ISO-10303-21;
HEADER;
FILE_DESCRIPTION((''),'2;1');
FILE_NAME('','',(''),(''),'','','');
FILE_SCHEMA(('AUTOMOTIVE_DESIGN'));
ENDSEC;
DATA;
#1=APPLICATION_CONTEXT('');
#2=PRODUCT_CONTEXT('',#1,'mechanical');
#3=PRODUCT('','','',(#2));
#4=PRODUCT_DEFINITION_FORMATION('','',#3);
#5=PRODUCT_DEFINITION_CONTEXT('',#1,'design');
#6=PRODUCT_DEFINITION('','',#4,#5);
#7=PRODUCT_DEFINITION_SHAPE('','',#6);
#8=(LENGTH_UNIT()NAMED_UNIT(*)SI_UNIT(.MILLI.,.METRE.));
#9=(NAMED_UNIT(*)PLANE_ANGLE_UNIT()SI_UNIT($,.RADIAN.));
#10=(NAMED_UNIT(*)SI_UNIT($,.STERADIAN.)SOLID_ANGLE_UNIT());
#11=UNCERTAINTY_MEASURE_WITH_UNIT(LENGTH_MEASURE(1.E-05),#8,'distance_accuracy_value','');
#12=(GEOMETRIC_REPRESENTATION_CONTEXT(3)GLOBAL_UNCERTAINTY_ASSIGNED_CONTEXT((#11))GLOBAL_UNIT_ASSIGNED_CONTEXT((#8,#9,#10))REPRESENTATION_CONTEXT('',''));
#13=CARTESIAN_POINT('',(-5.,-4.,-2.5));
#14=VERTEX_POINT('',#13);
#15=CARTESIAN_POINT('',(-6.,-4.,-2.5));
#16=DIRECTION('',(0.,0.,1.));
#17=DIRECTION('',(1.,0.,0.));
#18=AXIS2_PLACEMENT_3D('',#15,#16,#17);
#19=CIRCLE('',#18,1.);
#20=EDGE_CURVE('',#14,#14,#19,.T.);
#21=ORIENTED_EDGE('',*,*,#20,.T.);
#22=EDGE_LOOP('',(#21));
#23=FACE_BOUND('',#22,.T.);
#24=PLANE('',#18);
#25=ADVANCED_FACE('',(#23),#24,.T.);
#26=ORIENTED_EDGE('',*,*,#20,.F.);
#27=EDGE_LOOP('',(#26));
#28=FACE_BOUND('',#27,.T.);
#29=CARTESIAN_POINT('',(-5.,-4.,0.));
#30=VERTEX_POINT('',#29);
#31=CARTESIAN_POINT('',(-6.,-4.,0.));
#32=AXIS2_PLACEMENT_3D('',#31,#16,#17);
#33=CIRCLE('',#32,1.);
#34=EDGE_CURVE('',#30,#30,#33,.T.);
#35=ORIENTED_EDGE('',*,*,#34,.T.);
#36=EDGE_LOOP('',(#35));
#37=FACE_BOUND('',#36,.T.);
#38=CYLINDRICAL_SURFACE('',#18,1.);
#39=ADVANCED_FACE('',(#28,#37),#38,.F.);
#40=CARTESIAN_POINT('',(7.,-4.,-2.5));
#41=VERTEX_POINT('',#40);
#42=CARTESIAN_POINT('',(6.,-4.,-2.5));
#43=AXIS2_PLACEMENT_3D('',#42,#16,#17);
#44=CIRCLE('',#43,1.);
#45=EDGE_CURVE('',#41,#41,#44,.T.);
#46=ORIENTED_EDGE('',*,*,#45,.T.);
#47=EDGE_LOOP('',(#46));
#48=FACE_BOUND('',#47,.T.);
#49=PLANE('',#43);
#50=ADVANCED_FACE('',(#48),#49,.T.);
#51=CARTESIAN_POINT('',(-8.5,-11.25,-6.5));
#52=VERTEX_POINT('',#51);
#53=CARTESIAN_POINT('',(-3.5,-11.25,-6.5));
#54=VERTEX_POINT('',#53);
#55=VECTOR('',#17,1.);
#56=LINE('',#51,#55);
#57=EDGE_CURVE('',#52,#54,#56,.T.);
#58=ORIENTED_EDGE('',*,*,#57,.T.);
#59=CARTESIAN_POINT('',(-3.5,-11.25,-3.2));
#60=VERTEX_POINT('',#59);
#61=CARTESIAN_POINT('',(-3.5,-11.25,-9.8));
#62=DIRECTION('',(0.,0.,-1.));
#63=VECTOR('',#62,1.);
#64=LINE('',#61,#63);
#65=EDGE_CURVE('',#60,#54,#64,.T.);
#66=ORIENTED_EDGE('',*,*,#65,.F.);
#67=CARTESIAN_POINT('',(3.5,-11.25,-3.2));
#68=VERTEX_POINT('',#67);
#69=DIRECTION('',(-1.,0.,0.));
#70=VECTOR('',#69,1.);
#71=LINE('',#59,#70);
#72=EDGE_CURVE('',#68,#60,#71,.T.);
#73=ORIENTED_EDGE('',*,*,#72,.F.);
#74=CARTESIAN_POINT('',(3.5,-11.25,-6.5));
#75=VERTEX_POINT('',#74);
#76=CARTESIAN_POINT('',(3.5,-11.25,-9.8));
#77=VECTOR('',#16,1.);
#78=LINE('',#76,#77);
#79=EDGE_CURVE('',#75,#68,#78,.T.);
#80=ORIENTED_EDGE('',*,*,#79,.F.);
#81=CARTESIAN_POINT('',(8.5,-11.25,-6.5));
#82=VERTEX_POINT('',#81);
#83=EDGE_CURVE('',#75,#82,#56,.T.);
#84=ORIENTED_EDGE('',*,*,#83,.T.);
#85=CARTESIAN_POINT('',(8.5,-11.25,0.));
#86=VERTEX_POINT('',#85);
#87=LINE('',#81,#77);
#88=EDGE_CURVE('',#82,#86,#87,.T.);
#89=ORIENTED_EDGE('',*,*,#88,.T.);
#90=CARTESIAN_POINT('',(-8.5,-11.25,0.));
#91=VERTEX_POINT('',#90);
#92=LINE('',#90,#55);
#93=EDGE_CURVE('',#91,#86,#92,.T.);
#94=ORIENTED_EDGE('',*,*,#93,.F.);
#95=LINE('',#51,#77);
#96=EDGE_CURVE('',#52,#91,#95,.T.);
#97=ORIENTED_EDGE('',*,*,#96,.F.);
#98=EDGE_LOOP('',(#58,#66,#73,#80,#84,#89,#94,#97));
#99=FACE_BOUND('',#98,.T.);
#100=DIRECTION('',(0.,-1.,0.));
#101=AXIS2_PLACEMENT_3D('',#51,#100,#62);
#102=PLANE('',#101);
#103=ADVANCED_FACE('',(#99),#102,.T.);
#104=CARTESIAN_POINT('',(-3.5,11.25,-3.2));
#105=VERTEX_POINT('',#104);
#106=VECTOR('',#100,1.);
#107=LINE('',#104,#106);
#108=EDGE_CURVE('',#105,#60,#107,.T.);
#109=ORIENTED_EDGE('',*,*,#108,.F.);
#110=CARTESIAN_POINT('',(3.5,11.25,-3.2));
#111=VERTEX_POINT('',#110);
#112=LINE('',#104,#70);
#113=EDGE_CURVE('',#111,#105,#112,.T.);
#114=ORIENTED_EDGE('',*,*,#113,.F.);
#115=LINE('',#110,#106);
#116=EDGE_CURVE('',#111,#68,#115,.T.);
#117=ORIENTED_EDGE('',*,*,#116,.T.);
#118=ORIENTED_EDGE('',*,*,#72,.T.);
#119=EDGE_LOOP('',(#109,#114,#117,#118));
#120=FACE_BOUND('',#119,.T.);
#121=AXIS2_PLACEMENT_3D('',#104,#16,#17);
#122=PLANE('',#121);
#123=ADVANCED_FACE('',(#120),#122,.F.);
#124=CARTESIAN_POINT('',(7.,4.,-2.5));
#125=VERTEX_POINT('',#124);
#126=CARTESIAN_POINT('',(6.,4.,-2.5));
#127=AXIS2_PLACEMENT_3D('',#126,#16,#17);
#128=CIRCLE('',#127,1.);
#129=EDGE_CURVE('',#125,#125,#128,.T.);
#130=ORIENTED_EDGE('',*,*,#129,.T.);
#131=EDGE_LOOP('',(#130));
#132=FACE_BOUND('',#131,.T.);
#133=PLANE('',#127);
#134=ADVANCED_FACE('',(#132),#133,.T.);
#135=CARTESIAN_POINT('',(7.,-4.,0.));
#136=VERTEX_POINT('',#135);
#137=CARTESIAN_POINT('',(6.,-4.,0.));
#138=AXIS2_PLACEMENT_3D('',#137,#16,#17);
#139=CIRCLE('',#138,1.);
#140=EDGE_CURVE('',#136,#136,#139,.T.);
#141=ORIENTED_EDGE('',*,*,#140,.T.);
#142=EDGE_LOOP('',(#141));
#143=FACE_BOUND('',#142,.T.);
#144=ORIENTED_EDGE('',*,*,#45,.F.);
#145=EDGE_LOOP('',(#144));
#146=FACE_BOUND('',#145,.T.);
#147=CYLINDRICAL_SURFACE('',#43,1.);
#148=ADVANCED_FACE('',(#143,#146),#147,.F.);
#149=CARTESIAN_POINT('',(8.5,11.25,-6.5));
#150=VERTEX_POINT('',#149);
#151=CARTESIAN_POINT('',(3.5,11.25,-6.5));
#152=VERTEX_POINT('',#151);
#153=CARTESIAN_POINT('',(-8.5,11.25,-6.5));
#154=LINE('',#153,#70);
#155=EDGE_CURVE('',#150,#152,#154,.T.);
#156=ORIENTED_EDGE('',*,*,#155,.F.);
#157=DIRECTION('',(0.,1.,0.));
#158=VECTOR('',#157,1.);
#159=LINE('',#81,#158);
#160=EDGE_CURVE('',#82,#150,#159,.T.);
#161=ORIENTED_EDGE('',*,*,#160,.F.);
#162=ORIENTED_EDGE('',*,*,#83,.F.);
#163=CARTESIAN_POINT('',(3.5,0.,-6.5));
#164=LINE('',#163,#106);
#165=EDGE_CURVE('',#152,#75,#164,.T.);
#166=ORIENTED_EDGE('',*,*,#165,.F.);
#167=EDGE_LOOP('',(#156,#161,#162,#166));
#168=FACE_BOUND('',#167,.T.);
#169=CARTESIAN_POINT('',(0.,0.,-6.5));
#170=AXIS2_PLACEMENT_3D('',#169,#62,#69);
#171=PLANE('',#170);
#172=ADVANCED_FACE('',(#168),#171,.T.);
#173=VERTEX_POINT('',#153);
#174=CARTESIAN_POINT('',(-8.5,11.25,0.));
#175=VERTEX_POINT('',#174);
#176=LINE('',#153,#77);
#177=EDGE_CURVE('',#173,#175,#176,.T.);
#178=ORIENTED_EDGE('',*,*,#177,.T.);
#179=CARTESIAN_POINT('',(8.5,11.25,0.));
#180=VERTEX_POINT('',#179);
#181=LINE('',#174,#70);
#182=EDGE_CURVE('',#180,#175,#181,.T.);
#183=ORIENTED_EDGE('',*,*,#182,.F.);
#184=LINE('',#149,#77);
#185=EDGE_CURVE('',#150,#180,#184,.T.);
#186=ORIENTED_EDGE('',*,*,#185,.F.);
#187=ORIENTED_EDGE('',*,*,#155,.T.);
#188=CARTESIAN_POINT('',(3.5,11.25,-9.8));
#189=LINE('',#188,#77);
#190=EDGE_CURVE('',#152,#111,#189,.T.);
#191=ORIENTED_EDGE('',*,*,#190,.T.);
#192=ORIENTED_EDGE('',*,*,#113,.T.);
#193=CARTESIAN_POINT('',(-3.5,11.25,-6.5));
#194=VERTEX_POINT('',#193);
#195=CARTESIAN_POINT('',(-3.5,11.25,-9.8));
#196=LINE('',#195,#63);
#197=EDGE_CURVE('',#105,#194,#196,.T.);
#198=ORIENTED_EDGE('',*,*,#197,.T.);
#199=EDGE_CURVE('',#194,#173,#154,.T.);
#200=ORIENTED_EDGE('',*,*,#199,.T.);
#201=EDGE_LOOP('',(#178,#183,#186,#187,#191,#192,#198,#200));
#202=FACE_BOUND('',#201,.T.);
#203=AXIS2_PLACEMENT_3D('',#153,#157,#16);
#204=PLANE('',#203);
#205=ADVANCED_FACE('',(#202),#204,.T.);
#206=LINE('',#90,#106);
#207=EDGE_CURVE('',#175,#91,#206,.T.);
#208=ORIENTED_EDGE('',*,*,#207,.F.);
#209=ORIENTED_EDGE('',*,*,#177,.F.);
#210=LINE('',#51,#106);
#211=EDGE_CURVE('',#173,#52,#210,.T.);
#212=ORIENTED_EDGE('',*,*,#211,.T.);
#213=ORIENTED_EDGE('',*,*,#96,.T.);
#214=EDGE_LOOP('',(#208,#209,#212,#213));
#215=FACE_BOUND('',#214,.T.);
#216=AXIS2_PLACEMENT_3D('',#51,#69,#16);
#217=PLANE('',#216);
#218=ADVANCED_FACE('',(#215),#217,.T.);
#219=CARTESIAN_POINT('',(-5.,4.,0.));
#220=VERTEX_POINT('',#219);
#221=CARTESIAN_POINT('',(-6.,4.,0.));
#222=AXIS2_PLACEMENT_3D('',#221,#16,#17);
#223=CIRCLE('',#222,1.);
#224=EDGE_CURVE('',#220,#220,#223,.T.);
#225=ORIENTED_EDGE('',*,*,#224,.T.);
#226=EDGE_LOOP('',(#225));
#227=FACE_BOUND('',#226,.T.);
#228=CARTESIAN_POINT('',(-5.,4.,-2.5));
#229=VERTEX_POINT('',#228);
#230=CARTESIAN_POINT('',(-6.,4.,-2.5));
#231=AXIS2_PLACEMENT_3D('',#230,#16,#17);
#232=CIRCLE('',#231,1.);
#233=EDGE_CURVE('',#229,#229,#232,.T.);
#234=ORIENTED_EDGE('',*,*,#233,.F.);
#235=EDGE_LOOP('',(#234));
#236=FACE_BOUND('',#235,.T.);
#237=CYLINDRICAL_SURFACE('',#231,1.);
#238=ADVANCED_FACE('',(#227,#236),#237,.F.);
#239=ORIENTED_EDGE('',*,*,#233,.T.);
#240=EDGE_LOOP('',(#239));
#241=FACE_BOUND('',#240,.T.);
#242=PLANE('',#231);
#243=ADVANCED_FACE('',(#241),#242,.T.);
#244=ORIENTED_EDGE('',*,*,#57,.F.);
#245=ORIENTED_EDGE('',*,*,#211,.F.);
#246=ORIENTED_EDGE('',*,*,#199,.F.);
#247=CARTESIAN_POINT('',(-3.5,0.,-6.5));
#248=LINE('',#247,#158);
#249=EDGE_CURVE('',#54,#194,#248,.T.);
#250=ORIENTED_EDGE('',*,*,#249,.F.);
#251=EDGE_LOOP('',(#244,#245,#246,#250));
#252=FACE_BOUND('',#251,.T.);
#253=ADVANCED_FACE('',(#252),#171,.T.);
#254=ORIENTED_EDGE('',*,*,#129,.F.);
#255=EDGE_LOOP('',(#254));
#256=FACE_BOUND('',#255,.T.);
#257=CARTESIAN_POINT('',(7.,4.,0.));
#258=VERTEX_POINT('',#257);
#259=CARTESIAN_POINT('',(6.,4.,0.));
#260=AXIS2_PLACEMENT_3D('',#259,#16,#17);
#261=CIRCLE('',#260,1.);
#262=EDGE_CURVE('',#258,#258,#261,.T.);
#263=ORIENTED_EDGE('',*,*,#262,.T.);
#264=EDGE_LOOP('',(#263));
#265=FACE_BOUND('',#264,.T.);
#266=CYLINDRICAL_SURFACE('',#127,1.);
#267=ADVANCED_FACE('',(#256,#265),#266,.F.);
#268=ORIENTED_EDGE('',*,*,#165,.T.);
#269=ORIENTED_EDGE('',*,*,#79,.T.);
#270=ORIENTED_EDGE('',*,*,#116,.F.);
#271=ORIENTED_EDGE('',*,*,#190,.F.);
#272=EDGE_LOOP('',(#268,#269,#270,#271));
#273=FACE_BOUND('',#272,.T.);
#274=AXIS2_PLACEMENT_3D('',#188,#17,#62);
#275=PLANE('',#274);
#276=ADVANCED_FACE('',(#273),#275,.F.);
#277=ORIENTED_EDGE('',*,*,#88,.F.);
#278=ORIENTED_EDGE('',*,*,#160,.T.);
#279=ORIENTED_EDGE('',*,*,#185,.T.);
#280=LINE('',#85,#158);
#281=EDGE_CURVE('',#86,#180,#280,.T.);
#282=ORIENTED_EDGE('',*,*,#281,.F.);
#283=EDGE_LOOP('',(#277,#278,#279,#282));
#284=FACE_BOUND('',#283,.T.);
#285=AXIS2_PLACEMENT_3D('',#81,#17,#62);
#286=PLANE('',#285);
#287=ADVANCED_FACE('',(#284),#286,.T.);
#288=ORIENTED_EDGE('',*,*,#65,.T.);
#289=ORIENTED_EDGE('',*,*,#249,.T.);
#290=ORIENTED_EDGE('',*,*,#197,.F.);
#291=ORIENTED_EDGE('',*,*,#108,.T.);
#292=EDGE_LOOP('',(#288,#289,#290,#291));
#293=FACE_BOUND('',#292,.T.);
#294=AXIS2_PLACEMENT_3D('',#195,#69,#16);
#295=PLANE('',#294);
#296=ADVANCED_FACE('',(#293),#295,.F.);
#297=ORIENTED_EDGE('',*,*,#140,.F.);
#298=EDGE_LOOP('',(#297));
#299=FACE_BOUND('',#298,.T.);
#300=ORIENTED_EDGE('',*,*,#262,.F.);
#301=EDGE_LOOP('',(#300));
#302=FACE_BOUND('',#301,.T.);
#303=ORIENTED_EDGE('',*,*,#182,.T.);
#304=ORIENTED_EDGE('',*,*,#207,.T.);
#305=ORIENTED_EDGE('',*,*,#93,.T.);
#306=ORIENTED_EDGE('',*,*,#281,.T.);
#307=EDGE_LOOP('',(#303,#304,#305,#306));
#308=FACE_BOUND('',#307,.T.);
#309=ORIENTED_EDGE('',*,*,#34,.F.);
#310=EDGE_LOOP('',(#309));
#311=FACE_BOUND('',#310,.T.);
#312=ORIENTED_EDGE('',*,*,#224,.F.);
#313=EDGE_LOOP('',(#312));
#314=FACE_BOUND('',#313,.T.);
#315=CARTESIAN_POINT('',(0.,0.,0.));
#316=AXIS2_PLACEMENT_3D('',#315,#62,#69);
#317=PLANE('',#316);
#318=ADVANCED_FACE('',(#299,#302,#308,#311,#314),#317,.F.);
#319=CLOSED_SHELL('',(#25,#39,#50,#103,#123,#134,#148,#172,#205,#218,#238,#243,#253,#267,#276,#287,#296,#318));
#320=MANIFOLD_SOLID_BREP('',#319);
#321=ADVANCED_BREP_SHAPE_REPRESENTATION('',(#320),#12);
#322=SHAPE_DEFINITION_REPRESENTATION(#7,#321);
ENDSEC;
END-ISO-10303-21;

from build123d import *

# Parameters (mm, degrees)
SKETCH1_W           = 17
SKETCH1_H           = 22.5
BOSS_EXTRUDE1_DEPTH = 6.5
SKETCH2_R           = 1
CUT_EXTRUDE1_DEPTH  = 2.5
SKETCH3_W           = 7
SKETCH3_H           = 6.6
CUT_EXTRUDE2_DEPTH  = 25.914855007


with BuildPart() as part:
    # Sketch1 → Boss-Extrude1 (new body)
    with BuildSketch(Plane.XY):
        Rectangle(SKETCH1_W, SKETCH1_H)
    extrude(amount=-BOSS_EXTRUDE1_DEPTH)

    # Sketch2 → Cut-Extrude1 (cut)
    with BuildSketch(Plane.XY):
        with Locations((6, 4)):
            Circle(SKETCH2_R)
        with Locations((6, -4)):
            Circle(SKETCH2_R)
        with Locations((-6, -4)):
            Circle(SKETCH2_R)
        with Locations((-6, 4)):
            Circle(SKETCH2_R)
    extrude(amount=-CUT_EXTRUDE1_DEPTH, mode=Mode.SUBTRACT)

    # Sketch3 → Cut-Extrude2 (cut, through all)
    with BuildSketch(Plane.XZ.offset(11.25)):
        with Locations((0, -6.5)):
            Rectangle(SKETCH3_W, SKETCH3_H)
    extrude(amount=-CUT_EXTRUDE2_DEPTH, mode=Mode.SUBTRACT)


solid = part.part
